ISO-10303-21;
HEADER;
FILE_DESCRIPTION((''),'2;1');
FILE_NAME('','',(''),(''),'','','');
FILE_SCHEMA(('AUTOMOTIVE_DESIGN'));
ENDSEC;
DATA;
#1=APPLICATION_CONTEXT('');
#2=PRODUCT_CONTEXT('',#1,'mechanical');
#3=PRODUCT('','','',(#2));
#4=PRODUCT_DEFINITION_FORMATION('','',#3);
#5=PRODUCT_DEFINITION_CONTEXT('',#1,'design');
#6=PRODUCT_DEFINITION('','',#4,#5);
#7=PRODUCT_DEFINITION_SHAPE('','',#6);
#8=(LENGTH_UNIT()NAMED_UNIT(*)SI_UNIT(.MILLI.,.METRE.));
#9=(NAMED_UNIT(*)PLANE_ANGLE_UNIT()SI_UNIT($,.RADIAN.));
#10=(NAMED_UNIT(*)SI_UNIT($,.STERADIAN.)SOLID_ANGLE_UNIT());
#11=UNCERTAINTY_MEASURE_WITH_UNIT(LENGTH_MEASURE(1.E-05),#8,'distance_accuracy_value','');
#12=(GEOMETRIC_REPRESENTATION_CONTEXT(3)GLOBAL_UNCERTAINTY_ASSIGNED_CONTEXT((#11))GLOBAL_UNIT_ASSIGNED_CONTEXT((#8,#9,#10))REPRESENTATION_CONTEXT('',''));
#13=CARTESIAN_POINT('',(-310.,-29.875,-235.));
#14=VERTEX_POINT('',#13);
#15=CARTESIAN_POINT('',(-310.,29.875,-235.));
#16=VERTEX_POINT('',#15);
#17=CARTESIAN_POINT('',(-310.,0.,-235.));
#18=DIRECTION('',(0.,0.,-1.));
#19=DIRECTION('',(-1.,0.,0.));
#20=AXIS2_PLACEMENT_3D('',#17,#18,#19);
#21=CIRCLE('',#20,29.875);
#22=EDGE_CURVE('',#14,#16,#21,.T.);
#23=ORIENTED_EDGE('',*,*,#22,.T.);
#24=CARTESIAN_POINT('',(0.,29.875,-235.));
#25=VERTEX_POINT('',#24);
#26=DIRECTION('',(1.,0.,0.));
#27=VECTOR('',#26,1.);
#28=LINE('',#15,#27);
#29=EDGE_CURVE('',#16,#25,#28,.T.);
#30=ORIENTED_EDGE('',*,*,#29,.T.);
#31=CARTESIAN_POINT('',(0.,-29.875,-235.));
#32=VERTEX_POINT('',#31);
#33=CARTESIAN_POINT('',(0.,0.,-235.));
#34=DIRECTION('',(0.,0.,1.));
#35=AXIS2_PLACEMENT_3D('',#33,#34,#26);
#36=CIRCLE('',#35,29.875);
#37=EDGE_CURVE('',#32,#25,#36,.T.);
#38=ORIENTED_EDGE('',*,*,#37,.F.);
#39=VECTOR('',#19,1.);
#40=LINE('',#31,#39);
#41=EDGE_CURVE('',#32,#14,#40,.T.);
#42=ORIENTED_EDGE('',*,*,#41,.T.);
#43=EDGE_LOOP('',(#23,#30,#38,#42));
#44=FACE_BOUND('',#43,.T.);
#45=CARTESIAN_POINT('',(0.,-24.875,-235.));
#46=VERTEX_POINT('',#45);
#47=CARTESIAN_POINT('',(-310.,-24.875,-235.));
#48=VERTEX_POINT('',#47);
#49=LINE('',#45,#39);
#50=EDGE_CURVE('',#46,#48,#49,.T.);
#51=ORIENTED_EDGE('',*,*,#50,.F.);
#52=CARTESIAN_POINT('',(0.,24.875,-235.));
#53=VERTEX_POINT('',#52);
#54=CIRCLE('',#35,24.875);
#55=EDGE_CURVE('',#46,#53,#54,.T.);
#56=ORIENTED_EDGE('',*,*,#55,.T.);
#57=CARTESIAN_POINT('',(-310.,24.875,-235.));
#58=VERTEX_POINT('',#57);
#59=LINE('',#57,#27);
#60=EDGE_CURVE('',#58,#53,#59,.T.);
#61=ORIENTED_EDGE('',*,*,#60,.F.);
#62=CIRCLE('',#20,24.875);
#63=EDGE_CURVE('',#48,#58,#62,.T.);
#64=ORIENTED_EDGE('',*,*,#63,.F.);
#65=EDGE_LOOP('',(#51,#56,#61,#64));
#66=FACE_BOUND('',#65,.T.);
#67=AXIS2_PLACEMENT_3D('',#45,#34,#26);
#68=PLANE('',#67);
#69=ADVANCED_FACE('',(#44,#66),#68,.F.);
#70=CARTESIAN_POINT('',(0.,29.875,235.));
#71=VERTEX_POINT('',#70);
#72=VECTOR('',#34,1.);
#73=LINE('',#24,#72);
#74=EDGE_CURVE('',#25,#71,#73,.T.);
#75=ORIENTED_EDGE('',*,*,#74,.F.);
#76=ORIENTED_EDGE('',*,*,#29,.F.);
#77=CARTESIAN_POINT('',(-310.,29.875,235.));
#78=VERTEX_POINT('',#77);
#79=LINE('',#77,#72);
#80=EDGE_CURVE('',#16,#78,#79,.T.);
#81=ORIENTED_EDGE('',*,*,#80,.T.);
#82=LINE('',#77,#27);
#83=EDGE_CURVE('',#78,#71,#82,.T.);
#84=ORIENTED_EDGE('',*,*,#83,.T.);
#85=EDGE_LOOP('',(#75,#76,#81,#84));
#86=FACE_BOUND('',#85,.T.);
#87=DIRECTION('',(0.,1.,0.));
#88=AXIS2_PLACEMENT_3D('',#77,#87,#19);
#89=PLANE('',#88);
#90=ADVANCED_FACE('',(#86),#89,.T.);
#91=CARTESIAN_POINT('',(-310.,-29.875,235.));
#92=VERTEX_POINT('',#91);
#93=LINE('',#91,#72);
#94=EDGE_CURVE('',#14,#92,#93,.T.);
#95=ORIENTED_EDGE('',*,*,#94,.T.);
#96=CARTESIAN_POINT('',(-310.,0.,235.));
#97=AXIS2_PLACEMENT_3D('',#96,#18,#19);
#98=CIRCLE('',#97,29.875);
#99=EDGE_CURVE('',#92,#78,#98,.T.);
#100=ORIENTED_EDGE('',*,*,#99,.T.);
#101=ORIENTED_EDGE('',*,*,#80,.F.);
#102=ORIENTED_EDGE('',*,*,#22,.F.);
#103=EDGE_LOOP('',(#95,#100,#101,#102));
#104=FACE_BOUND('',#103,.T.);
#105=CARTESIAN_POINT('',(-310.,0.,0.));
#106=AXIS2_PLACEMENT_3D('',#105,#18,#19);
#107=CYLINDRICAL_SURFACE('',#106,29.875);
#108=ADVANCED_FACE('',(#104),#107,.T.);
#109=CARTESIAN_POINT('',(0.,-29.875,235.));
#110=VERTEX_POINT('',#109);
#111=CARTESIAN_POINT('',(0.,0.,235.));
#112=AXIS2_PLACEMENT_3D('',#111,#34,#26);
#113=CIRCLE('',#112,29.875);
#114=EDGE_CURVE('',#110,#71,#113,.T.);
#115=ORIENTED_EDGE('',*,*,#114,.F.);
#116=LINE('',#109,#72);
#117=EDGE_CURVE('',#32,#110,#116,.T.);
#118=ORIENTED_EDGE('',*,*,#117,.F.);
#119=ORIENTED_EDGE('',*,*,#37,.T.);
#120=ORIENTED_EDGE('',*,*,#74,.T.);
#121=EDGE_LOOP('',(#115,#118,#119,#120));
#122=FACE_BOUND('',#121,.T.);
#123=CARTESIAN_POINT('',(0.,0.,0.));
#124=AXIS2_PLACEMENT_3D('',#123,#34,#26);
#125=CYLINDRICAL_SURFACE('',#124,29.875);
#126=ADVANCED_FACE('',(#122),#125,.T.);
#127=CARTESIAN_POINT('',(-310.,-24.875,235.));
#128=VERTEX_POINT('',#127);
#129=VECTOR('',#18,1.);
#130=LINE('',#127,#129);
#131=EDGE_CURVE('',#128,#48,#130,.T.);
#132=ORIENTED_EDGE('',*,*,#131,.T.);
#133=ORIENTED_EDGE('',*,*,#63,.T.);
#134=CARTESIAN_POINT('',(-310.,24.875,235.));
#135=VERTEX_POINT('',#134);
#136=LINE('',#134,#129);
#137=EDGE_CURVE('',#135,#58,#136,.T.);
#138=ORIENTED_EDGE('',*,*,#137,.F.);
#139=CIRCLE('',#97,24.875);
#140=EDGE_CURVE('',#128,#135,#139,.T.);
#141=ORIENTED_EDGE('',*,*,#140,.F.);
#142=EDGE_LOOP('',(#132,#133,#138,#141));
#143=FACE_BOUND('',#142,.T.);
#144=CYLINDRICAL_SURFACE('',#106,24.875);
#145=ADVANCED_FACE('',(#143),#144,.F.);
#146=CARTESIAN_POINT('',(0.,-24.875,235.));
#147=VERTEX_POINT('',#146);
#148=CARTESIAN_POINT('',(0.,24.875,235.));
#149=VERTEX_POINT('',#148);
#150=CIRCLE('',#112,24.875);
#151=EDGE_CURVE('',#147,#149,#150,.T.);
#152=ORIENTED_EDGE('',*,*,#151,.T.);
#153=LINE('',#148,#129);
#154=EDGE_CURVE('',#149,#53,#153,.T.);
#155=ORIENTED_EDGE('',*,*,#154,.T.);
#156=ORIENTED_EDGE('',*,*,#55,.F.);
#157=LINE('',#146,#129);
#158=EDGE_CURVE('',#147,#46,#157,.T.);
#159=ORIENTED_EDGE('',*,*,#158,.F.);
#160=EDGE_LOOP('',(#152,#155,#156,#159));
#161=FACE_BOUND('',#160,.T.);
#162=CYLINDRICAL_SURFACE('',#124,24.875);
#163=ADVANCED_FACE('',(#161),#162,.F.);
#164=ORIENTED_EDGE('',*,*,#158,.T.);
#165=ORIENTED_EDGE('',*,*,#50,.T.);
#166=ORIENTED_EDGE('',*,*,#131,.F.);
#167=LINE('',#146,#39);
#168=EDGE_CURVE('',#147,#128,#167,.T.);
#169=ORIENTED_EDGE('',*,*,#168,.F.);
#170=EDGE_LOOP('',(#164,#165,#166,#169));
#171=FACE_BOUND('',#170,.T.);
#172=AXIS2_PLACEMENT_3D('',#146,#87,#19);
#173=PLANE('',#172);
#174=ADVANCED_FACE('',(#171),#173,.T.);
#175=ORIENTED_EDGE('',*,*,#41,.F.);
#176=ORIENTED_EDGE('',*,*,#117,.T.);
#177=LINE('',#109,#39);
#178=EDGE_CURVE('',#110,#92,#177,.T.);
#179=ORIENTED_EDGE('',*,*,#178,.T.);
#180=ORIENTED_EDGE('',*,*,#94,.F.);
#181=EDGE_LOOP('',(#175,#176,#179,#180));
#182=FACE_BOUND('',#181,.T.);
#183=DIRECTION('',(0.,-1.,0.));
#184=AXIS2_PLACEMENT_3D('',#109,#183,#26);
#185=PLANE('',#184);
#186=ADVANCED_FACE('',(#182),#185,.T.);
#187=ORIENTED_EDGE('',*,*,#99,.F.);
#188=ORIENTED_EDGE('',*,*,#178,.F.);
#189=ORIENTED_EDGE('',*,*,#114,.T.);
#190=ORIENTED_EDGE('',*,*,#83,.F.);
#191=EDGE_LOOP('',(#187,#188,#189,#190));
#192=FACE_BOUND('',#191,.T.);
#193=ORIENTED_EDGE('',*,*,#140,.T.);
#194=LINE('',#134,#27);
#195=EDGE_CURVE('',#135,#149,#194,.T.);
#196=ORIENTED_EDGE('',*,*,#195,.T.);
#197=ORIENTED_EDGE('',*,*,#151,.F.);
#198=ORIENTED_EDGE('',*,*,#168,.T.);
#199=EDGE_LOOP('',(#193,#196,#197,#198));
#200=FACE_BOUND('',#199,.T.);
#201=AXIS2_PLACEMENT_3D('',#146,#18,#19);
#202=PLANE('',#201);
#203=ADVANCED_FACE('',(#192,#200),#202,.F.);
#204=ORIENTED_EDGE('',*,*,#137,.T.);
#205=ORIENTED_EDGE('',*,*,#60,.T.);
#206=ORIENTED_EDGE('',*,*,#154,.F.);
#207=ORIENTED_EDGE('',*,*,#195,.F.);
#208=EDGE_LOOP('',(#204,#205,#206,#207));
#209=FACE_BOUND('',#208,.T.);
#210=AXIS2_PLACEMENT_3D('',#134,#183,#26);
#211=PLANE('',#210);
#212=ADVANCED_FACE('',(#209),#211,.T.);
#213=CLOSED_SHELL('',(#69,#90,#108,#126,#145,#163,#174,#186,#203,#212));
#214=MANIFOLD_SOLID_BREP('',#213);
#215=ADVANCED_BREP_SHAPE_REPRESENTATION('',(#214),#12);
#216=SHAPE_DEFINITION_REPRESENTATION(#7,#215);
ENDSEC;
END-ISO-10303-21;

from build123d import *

# Parameters (mm, degrees)
SKETCH3_W = 470
SKETCH3_H = 5


with BuildPart() as part:
    # Sweep1: sweep along a path in Sketch2
    with BuildLine(Plane.XY) as sweep1_path:
        Line((0, -24.875), (-310, -24.875))
        ThreePointArc((-310, -24.875), (-334.875, 0), (-310, 24.875))
        Line((-310, 24.875), (0, 24.875))
        ThreePointArc((0, 24.875), (24.875, 0), (0, -24.875))
    # Sketch3 → Sweep1 (sweep)
    with BuildSketch(Plane(origin=(0, 0, 0), x_dir=(0, 0, -1), z_dir=(1, 0, 0))):
        with Locations((0, 27.375)):
            Rectangle(SKETCH3_W, SKETCH3_H)
    sweep(path=sweep1_path.line)


solid = part.part
